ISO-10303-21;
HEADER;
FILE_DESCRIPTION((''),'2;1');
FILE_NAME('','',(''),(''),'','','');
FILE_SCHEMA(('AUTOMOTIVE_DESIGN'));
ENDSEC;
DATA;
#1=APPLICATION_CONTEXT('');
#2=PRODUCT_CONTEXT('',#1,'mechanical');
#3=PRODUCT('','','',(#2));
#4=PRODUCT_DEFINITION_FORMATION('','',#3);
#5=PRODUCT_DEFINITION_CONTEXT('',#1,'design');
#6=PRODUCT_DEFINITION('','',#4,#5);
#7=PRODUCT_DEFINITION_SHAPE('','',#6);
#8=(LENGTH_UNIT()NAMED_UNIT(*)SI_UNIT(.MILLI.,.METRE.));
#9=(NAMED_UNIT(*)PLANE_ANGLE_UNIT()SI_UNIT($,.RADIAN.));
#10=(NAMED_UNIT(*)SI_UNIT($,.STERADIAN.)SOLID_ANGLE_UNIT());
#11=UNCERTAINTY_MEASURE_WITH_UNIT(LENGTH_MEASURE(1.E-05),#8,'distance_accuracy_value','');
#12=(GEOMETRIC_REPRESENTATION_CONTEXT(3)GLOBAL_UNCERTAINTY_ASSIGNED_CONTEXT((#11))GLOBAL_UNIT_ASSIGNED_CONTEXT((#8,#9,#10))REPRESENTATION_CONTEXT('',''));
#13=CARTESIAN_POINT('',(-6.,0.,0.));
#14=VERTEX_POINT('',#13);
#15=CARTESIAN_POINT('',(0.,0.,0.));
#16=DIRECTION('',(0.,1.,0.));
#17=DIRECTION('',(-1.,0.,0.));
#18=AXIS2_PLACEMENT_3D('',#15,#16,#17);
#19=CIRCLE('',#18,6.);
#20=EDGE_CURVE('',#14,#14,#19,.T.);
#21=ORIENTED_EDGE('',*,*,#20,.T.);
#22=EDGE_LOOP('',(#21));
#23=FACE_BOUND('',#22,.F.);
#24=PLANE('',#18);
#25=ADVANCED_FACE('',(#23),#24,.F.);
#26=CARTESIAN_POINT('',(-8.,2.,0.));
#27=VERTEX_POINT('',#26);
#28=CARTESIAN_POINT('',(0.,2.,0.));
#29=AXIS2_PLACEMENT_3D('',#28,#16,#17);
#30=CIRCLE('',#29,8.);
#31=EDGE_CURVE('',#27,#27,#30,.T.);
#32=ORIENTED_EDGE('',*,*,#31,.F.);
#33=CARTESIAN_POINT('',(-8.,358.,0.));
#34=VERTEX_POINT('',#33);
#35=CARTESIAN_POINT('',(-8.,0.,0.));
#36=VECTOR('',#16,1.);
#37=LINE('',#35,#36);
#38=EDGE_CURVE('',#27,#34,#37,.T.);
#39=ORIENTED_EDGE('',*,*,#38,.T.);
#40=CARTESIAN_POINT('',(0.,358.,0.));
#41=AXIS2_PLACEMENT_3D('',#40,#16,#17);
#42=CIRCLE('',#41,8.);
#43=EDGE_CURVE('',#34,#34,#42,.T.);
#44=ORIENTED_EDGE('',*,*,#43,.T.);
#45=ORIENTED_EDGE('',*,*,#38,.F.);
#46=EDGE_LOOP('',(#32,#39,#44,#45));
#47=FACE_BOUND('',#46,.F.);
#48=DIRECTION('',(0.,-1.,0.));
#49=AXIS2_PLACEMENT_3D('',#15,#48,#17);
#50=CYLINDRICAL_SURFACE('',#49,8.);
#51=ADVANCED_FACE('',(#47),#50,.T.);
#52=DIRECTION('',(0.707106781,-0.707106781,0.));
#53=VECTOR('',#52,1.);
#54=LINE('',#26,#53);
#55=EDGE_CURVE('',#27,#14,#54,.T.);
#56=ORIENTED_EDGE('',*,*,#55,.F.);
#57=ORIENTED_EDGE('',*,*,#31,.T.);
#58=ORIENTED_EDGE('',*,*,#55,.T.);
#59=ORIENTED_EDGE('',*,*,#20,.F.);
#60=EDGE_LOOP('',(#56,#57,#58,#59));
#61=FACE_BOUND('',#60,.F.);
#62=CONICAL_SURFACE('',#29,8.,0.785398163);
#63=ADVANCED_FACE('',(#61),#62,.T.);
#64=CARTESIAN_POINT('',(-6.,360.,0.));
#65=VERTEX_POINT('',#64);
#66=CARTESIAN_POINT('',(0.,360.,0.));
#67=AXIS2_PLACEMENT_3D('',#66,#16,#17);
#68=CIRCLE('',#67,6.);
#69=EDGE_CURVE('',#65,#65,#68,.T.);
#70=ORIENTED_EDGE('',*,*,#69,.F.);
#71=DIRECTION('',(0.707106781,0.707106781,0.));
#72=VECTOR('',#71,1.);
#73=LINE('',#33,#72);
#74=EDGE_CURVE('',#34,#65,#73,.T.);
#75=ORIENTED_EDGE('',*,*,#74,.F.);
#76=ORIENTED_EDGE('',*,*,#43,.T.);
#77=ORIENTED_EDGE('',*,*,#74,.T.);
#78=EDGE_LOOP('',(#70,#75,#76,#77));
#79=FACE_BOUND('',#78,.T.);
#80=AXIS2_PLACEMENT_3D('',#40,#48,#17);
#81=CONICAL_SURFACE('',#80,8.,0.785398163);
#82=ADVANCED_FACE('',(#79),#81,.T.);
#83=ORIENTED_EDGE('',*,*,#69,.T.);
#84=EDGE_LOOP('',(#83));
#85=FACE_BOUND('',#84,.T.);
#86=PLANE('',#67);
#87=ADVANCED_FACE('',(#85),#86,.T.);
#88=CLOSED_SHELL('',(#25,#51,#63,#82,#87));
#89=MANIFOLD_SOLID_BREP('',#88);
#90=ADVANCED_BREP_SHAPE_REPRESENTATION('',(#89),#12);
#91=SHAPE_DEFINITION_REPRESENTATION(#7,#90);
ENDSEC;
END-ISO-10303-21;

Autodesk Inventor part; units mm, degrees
ref_plane "YZ Plane" through (0, 0, 0) normal (1, 0, 0) x (0, 1, 0)
ref_plane "XZ Plane" through (0, 0, 0) normal (0, 1, 0) x (-1, 0, 0)
ref_plane "XY Plane" through (0, 0, 0) normal (0, 0, 1) x (1, 0, 0)
sketch "Sketch1" plane through (0, 0, 0) normal (0, 1, 0) x (-1, 0, 0)
  circle A0 centre (0, 0) radius 8
  dimension "d0" = 16
extrude "Extrusion1" add sketch "Sketch1" along normal blind 360
chamfer "Chamfer1" distance 2 angle 45 2 edges at (8, 360, 0) (8, 0, 0)
properties part number "Val340" material "Steel, Cast"
